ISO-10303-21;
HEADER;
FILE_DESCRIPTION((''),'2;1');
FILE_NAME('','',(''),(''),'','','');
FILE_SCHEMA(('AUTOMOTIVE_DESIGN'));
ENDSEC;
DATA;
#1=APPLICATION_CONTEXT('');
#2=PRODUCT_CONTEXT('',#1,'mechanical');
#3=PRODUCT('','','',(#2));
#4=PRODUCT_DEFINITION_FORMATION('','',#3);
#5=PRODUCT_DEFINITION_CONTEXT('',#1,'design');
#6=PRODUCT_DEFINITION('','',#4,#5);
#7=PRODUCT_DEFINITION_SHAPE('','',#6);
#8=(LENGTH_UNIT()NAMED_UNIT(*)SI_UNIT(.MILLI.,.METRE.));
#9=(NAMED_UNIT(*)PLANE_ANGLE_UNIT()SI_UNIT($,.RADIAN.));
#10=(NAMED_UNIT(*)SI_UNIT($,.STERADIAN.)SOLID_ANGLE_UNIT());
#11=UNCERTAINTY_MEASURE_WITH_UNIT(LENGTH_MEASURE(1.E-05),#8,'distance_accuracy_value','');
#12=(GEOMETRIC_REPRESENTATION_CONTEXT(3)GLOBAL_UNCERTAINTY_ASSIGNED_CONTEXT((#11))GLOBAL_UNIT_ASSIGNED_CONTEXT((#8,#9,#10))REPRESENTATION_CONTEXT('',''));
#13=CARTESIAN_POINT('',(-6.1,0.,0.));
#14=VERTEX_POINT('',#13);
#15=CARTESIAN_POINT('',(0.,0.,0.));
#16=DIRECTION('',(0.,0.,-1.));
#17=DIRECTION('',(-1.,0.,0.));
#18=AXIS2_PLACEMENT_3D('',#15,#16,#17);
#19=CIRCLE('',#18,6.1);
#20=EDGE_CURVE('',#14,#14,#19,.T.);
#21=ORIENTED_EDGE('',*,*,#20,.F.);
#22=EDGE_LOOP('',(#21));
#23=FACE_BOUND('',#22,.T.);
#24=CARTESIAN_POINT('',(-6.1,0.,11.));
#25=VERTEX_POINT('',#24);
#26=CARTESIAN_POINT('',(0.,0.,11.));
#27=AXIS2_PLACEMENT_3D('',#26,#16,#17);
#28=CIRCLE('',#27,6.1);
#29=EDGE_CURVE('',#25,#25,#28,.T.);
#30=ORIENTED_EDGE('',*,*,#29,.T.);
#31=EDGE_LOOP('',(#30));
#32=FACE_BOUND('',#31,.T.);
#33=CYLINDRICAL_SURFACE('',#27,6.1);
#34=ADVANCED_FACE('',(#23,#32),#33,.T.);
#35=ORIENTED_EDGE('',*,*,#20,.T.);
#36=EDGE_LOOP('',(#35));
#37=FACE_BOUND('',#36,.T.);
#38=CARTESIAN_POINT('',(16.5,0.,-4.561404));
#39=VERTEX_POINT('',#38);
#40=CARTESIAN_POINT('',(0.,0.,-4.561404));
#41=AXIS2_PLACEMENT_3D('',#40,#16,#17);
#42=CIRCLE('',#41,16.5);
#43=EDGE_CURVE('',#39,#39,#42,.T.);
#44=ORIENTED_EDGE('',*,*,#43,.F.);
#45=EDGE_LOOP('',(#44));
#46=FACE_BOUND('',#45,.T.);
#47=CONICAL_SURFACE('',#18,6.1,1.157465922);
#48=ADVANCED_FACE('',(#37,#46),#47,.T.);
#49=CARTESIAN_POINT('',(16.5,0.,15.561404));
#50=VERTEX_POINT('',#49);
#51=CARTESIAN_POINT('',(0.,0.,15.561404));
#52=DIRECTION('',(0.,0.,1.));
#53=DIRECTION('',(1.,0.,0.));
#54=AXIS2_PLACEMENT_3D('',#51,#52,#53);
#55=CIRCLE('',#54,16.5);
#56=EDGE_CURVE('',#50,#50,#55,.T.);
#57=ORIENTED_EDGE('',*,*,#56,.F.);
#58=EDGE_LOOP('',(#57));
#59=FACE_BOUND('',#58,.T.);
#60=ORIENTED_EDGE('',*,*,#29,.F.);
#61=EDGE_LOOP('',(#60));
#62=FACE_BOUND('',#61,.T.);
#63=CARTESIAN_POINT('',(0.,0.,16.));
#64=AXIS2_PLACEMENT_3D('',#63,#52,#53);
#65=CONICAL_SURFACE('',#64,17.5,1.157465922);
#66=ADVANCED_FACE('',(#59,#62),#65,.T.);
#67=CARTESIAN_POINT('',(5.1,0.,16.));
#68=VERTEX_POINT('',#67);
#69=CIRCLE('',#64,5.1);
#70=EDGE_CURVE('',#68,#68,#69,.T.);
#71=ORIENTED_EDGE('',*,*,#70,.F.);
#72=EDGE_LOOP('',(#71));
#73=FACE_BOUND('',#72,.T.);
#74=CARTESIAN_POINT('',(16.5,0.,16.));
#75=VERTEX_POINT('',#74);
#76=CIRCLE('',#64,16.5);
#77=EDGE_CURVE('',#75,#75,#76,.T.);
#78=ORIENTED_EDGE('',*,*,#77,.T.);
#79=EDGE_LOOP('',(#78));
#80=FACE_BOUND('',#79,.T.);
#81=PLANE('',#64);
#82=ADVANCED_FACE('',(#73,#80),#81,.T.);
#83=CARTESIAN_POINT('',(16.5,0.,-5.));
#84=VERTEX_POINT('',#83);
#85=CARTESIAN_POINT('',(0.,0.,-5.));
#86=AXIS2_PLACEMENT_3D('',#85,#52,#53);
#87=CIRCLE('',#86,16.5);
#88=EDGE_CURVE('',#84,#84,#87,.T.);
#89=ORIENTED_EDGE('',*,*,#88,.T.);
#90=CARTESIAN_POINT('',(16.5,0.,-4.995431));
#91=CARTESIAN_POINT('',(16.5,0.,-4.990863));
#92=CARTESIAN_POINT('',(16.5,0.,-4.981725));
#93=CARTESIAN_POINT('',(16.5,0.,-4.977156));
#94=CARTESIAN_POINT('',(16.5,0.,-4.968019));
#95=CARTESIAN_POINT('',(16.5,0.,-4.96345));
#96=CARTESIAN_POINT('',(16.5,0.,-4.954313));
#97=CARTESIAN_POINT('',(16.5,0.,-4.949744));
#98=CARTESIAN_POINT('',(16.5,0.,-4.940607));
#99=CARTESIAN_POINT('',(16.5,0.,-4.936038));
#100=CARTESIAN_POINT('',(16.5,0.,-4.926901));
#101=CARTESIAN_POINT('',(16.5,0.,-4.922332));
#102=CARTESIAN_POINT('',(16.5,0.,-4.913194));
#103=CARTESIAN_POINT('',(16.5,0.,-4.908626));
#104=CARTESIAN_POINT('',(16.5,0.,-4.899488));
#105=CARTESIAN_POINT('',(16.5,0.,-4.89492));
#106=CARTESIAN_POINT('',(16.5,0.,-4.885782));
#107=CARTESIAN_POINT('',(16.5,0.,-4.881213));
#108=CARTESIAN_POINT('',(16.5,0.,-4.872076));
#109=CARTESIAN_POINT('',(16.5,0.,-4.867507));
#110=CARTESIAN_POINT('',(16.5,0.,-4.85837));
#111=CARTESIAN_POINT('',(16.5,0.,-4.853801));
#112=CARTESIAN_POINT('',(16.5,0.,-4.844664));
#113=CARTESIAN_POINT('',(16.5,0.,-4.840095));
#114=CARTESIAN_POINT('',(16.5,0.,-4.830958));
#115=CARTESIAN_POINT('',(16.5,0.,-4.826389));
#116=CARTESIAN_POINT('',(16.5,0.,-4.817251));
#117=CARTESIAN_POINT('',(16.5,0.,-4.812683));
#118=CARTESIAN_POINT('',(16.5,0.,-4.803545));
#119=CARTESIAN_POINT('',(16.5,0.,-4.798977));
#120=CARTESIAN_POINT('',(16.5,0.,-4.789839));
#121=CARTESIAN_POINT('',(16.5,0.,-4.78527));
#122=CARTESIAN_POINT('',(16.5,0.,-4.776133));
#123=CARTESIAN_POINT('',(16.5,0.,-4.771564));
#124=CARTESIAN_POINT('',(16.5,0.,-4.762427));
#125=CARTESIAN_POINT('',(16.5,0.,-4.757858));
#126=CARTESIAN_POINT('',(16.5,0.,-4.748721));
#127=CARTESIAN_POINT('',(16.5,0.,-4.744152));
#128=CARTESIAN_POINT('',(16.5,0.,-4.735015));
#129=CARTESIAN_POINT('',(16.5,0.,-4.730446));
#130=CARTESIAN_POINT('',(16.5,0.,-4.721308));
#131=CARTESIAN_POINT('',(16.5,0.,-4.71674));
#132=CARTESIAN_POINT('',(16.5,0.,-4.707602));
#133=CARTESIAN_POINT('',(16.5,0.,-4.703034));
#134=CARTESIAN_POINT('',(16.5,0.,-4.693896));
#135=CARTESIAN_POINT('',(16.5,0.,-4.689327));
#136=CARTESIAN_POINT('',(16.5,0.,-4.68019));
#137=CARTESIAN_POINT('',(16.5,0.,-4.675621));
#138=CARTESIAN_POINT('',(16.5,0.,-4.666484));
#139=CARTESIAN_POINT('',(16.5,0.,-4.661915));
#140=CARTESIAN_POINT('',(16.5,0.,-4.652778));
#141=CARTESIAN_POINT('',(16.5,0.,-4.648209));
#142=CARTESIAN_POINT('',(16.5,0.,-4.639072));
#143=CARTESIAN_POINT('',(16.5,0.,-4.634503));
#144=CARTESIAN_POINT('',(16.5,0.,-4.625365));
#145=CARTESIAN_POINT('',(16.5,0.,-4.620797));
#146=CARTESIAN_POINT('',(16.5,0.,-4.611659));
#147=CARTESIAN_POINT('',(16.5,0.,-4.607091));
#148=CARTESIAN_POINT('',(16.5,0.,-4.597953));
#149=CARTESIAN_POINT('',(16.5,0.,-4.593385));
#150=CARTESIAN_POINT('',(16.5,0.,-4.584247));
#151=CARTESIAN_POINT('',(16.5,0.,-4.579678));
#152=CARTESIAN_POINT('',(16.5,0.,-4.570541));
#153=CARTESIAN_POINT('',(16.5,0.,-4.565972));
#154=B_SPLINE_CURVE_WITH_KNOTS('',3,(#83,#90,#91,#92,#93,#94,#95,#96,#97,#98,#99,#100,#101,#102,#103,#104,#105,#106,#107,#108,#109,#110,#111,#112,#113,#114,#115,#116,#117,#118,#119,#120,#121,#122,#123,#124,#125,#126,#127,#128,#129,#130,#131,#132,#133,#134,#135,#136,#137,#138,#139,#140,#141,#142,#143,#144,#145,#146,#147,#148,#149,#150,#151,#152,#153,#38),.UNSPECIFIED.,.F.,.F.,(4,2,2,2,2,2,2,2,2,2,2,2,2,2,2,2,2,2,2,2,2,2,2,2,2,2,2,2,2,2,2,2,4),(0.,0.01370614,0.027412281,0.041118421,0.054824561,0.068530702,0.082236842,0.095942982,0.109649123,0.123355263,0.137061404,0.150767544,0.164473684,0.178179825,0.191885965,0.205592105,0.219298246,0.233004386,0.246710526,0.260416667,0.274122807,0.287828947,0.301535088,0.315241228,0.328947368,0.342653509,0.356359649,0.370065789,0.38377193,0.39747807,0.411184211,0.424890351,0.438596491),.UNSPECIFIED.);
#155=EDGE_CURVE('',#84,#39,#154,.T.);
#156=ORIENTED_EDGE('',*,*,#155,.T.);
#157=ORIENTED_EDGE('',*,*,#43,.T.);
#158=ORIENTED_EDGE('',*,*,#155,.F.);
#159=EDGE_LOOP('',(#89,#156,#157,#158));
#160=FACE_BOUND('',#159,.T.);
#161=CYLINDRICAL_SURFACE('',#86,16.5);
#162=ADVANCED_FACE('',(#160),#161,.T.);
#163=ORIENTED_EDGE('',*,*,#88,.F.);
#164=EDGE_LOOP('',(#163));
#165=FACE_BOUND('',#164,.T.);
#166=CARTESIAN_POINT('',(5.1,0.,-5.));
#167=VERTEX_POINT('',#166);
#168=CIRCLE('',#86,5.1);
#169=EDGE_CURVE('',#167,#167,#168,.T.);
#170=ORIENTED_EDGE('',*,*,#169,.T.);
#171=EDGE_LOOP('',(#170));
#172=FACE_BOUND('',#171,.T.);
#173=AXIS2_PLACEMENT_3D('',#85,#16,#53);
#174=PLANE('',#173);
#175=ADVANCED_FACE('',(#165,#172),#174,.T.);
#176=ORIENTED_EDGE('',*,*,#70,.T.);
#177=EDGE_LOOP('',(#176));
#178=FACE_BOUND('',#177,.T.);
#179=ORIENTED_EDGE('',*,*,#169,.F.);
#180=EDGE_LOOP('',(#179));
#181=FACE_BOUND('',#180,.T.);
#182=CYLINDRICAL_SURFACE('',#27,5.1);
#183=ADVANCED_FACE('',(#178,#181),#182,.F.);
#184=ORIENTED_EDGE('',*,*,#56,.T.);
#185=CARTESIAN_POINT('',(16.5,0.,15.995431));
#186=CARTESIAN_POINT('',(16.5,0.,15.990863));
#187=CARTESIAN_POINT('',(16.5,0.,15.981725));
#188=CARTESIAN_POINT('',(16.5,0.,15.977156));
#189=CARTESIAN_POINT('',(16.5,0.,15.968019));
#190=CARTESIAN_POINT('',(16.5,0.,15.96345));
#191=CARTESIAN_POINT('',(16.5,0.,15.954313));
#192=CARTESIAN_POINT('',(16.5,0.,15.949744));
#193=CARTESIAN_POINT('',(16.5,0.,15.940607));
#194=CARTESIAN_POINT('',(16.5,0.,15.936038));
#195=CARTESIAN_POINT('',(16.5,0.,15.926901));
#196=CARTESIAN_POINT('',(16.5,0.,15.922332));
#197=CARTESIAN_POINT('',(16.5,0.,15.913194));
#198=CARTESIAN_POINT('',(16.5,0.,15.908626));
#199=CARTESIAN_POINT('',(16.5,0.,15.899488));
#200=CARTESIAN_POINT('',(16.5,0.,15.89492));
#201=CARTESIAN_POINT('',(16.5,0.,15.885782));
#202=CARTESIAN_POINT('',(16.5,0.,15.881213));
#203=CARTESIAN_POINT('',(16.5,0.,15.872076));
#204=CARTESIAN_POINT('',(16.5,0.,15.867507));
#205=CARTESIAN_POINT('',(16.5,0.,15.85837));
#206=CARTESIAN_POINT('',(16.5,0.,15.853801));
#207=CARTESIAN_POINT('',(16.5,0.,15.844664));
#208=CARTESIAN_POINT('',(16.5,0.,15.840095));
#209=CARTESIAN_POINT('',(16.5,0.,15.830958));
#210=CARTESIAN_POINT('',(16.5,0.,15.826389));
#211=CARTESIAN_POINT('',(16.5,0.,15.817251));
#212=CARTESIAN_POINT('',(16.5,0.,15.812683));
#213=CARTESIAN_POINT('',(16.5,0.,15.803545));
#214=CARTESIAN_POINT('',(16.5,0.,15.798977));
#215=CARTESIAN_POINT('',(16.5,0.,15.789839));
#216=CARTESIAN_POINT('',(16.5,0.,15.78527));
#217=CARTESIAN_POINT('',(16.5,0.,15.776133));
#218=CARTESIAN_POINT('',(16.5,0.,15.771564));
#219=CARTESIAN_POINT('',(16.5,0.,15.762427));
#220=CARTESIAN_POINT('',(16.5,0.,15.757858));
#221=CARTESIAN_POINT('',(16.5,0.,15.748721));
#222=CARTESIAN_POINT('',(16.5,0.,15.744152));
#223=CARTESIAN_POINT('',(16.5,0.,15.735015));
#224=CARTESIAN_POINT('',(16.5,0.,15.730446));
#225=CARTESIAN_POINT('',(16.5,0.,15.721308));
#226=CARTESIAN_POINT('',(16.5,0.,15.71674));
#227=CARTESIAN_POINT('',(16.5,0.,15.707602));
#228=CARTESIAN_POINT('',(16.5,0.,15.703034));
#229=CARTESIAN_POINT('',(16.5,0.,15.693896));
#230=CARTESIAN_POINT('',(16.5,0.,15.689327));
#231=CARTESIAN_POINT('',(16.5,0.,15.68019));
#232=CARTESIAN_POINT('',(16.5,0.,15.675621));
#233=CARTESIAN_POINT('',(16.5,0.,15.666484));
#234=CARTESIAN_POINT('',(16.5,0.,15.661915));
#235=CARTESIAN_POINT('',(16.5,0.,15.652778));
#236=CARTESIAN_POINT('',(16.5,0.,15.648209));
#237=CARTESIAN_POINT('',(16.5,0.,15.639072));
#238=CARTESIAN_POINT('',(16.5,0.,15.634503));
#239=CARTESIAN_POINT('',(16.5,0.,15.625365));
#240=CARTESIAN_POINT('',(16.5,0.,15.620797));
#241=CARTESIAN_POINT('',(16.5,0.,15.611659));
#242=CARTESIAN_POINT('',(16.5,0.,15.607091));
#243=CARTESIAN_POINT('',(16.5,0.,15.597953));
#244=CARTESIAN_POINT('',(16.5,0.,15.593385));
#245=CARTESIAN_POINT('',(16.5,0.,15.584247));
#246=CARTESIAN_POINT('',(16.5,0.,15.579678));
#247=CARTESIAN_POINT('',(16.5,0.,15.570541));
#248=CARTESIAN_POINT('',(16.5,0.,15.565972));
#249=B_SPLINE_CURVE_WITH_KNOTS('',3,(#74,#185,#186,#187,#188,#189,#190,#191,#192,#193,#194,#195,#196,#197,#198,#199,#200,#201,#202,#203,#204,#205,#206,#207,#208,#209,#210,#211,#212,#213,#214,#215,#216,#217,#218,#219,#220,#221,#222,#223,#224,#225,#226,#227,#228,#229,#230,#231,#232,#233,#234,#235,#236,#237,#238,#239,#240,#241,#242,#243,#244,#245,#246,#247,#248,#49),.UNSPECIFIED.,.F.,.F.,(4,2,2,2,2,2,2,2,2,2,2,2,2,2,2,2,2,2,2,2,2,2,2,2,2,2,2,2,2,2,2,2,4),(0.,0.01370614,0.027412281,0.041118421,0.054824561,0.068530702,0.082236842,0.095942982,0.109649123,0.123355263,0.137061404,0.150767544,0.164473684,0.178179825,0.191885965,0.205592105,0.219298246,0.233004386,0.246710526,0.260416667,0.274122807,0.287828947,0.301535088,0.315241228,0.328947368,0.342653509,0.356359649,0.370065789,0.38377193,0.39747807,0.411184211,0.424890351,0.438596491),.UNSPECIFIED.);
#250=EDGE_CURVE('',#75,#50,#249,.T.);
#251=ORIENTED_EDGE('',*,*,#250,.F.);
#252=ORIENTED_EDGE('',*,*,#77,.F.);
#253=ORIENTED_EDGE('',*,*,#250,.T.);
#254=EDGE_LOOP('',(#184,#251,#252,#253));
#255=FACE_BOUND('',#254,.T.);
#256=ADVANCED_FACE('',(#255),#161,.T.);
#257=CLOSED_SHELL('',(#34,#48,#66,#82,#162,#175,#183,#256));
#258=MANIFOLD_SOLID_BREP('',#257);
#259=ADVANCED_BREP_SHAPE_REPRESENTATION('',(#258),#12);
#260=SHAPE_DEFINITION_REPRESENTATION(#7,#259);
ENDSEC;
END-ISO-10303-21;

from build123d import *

# Parameters (mm, degrees)
SKETCH_1_R          = 6.1
SKETCH_1_R_2        = 5.1
EXTRUDE_1_DEPTH     = 11
SKETCH_2_R          = 17.5
SKETCH_2_R_2        = 5.1
EXTRUDE_2_DEPTH     = 5
SKETCH_4_OUTSIDE_W  = 47.754
SKETCH_4_OUTSIDE_H  = 47.754
SKETCH_4_OUTSIDE_R  = 16.5
CUT_EXTRUDE_1_DEPTH = 33.457664734


with BuildPart() as part:
    # 스케치1 → 보스-돌출1 (new body)
    with BuildSketch(Plane.XY):
        Circle(SKETCH_1_R)
        Circle(SKETCH_1_R_2, mode=Mode.SUBTRACT)
    extrude(amount=EXTRUDE_1_DEPTH)

    # 스케치2 → 보스-돌출2 (add)
    with BuildSketch(Plane.XY.offset(11)):
        Circle(SKETCH_2_R)
        Circle(SKETCH_2_R_2, mode=Mode.SUBTRACT)
    extrude_2 = extrude(amount=EXTRUDE_2_DEPTH)

    # 대칭 복사1: 보스-돌출2 across plane
    add(extrude_2.mirror(Plane.XY.offset(5.5)))

    # 스케치3 → 컷-회전1 (revolve, cut)
    with BuildSketch(Plane(origin=(0, 0, 0), x_dir=(1, 0, 0), z_dir=(0, 1, 0))):
        Polygon((-17.5, 5), (-6.1, 0), (-17.5, 0), align=None)
        Polygon((-17.5, -11), (-17.5, -16), (-6.1, -11), align=None)
    revolve(axis=Axis((0, 0, -9.433987915), (0, 0, 1)), mode=Mode.SUBTRACT)

    # 스케치4 outside → 컷-돌출1 (cut, through all)
    with BuildSketch(Plane.XY.offset(16)):
        Rectangle(SKETCH_4_OUTSIDE_W, SKETCH_4_OUTSIDE_H)
        Circle(SKETCH_4_OUTSIDE_R, mode=Mode.SUBTRACT)
    extrude(amount=-CUT_EXTRUDE_1_DEPTH, mode=Mode.SUBTRACT)


solid = part.part
